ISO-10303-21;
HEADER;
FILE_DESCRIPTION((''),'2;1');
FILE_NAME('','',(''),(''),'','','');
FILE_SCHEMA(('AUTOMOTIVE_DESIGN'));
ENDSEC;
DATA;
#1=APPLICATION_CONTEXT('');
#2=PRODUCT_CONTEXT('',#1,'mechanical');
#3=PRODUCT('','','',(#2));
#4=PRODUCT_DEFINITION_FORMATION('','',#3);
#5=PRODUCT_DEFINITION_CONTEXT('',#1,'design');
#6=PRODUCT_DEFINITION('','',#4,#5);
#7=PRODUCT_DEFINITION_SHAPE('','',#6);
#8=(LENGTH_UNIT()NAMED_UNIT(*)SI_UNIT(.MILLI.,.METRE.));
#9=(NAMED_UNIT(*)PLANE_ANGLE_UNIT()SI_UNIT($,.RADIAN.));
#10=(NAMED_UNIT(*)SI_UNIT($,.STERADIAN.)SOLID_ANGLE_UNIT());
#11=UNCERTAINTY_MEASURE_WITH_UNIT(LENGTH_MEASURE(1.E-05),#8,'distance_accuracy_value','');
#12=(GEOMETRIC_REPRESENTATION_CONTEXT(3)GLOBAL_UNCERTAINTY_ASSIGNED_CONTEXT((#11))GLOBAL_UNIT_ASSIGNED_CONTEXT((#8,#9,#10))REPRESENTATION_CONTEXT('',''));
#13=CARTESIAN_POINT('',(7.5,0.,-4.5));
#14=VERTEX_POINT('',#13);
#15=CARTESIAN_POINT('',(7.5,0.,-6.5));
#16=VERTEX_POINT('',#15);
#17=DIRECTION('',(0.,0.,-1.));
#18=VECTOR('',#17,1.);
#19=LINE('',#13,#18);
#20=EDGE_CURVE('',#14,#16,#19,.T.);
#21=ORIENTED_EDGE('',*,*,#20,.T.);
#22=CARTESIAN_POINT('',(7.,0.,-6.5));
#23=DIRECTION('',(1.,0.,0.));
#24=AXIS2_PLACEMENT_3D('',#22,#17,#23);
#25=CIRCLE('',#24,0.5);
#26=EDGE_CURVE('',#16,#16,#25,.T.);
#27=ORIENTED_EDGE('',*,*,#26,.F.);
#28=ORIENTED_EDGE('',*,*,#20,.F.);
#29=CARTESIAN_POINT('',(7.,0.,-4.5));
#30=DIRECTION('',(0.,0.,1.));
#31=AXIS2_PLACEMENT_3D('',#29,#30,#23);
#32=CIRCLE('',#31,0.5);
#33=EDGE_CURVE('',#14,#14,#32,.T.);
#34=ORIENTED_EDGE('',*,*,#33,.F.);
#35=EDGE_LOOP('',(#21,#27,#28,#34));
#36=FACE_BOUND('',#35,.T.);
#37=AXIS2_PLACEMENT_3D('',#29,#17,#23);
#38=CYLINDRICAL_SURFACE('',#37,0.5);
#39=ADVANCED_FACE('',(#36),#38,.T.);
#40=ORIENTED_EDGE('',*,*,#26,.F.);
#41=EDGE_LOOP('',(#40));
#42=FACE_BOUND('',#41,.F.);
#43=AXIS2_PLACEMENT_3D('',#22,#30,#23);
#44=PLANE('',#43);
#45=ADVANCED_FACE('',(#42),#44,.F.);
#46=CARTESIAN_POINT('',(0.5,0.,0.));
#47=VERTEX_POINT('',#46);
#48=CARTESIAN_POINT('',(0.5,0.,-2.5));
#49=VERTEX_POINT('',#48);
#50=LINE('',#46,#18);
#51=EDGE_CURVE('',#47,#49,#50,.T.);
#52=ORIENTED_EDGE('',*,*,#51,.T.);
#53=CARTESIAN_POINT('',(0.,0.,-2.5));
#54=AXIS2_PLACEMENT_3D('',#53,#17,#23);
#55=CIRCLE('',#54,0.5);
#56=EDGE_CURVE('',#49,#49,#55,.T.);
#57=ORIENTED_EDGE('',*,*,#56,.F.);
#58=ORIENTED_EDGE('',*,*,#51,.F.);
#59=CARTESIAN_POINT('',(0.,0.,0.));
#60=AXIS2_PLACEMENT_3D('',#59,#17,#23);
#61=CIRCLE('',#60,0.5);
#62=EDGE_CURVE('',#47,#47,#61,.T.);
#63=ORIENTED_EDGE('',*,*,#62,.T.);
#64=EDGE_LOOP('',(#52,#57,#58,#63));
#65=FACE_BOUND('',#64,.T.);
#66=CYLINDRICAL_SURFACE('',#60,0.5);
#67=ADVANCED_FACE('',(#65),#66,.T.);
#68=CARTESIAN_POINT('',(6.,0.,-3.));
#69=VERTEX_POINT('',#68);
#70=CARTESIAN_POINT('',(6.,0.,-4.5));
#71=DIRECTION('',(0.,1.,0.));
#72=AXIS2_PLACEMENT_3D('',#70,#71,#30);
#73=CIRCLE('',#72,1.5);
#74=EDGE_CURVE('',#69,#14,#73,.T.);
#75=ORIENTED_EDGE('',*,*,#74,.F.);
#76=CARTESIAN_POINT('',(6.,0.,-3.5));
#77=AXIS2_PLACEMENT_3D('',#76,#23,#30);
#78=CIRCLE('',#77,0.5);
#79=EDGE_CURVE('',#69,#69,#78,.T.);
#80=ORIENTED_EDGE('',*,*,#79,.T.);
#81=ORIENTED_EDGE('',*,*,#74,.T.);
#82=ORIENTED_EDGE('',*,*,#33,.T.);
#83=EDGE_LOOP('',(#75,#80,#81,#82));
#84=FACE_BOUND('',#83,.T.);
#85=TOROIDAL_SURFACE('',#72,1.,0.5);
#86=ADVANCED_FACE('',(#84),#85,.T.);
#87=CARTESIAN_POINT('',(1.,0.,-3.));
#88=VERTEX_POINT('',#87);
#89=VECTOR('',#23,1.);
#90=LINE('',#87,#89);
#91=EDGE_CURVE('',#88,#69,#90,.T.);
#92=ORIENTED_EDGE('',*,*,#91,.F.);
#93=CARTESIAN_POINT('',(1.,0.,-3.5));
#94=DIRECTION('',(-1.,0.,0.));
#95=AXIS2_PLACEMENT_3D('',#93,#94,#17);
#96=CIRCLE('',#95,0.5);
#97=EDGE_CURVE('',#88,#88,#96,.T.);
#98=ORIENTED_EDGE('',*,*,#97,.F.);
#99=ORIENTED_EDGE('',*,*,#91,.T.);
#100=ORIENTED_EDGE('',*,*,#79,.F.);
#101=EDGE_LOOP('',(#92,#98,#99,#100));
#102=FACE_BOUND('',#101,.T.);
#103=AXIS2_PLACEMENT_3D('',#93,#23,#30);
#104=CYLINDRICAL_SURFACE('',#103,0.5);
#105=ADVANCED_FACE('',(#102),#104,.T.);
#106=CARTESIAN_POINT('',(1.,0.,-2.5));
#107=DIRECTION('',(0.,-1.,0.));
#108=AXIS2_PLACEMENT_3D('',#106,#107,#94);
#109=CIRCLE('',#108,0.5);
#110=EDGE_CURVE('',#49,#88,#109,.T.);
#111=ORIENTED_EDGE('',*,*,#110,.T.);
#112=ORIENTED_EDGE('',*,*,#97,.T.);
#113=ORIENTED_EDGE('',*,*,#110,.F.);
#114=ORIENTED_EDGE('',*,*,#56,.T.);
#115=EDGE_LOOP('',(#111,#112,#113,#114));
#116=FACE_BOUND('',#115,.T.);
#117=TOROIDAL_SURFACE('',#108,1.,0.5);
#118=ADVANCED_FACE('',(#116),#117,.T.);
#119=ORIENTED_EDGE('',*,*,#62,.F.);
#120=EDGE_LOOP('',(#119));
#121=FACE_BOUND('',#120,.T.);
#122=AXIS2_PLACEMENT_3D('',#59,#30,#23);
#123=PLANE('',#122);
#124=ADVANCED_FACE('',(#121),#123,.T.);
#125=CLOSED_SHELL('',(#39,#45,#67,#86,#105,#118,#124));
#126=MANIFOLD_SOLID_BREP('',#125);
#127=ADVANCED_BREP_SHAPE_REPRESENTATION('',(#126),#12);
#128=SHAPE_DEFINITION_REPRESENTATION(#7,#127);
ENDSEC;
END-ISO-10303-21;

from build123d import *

# Parameters (mm, degrees)
F1_R = 0.5


with BuildPart() as f2:
    # F2: sweep along a path in F0
    with BuildLine(Plane.XZ) as f2_path:
        Line((0, 0), (0, -2.5))
        ThreePointArc((0, -2.5), (0.2928932188, -3.2071067812), (1, -3.5))
        Line((1, -3.5), (6, -3.5))
        ThreePointArc((6, -3.5), (6.7071067812, -3.7928932188), (7, -4.5))
        Line((7, -4.5), (7, -6.5))
    # F1 (on Top) → F2 (sweep)
    with BuildSketch(Plane.XY):
        Circle(F1_R)
    sweep(path=f2_path.line)


solid = f2.part
